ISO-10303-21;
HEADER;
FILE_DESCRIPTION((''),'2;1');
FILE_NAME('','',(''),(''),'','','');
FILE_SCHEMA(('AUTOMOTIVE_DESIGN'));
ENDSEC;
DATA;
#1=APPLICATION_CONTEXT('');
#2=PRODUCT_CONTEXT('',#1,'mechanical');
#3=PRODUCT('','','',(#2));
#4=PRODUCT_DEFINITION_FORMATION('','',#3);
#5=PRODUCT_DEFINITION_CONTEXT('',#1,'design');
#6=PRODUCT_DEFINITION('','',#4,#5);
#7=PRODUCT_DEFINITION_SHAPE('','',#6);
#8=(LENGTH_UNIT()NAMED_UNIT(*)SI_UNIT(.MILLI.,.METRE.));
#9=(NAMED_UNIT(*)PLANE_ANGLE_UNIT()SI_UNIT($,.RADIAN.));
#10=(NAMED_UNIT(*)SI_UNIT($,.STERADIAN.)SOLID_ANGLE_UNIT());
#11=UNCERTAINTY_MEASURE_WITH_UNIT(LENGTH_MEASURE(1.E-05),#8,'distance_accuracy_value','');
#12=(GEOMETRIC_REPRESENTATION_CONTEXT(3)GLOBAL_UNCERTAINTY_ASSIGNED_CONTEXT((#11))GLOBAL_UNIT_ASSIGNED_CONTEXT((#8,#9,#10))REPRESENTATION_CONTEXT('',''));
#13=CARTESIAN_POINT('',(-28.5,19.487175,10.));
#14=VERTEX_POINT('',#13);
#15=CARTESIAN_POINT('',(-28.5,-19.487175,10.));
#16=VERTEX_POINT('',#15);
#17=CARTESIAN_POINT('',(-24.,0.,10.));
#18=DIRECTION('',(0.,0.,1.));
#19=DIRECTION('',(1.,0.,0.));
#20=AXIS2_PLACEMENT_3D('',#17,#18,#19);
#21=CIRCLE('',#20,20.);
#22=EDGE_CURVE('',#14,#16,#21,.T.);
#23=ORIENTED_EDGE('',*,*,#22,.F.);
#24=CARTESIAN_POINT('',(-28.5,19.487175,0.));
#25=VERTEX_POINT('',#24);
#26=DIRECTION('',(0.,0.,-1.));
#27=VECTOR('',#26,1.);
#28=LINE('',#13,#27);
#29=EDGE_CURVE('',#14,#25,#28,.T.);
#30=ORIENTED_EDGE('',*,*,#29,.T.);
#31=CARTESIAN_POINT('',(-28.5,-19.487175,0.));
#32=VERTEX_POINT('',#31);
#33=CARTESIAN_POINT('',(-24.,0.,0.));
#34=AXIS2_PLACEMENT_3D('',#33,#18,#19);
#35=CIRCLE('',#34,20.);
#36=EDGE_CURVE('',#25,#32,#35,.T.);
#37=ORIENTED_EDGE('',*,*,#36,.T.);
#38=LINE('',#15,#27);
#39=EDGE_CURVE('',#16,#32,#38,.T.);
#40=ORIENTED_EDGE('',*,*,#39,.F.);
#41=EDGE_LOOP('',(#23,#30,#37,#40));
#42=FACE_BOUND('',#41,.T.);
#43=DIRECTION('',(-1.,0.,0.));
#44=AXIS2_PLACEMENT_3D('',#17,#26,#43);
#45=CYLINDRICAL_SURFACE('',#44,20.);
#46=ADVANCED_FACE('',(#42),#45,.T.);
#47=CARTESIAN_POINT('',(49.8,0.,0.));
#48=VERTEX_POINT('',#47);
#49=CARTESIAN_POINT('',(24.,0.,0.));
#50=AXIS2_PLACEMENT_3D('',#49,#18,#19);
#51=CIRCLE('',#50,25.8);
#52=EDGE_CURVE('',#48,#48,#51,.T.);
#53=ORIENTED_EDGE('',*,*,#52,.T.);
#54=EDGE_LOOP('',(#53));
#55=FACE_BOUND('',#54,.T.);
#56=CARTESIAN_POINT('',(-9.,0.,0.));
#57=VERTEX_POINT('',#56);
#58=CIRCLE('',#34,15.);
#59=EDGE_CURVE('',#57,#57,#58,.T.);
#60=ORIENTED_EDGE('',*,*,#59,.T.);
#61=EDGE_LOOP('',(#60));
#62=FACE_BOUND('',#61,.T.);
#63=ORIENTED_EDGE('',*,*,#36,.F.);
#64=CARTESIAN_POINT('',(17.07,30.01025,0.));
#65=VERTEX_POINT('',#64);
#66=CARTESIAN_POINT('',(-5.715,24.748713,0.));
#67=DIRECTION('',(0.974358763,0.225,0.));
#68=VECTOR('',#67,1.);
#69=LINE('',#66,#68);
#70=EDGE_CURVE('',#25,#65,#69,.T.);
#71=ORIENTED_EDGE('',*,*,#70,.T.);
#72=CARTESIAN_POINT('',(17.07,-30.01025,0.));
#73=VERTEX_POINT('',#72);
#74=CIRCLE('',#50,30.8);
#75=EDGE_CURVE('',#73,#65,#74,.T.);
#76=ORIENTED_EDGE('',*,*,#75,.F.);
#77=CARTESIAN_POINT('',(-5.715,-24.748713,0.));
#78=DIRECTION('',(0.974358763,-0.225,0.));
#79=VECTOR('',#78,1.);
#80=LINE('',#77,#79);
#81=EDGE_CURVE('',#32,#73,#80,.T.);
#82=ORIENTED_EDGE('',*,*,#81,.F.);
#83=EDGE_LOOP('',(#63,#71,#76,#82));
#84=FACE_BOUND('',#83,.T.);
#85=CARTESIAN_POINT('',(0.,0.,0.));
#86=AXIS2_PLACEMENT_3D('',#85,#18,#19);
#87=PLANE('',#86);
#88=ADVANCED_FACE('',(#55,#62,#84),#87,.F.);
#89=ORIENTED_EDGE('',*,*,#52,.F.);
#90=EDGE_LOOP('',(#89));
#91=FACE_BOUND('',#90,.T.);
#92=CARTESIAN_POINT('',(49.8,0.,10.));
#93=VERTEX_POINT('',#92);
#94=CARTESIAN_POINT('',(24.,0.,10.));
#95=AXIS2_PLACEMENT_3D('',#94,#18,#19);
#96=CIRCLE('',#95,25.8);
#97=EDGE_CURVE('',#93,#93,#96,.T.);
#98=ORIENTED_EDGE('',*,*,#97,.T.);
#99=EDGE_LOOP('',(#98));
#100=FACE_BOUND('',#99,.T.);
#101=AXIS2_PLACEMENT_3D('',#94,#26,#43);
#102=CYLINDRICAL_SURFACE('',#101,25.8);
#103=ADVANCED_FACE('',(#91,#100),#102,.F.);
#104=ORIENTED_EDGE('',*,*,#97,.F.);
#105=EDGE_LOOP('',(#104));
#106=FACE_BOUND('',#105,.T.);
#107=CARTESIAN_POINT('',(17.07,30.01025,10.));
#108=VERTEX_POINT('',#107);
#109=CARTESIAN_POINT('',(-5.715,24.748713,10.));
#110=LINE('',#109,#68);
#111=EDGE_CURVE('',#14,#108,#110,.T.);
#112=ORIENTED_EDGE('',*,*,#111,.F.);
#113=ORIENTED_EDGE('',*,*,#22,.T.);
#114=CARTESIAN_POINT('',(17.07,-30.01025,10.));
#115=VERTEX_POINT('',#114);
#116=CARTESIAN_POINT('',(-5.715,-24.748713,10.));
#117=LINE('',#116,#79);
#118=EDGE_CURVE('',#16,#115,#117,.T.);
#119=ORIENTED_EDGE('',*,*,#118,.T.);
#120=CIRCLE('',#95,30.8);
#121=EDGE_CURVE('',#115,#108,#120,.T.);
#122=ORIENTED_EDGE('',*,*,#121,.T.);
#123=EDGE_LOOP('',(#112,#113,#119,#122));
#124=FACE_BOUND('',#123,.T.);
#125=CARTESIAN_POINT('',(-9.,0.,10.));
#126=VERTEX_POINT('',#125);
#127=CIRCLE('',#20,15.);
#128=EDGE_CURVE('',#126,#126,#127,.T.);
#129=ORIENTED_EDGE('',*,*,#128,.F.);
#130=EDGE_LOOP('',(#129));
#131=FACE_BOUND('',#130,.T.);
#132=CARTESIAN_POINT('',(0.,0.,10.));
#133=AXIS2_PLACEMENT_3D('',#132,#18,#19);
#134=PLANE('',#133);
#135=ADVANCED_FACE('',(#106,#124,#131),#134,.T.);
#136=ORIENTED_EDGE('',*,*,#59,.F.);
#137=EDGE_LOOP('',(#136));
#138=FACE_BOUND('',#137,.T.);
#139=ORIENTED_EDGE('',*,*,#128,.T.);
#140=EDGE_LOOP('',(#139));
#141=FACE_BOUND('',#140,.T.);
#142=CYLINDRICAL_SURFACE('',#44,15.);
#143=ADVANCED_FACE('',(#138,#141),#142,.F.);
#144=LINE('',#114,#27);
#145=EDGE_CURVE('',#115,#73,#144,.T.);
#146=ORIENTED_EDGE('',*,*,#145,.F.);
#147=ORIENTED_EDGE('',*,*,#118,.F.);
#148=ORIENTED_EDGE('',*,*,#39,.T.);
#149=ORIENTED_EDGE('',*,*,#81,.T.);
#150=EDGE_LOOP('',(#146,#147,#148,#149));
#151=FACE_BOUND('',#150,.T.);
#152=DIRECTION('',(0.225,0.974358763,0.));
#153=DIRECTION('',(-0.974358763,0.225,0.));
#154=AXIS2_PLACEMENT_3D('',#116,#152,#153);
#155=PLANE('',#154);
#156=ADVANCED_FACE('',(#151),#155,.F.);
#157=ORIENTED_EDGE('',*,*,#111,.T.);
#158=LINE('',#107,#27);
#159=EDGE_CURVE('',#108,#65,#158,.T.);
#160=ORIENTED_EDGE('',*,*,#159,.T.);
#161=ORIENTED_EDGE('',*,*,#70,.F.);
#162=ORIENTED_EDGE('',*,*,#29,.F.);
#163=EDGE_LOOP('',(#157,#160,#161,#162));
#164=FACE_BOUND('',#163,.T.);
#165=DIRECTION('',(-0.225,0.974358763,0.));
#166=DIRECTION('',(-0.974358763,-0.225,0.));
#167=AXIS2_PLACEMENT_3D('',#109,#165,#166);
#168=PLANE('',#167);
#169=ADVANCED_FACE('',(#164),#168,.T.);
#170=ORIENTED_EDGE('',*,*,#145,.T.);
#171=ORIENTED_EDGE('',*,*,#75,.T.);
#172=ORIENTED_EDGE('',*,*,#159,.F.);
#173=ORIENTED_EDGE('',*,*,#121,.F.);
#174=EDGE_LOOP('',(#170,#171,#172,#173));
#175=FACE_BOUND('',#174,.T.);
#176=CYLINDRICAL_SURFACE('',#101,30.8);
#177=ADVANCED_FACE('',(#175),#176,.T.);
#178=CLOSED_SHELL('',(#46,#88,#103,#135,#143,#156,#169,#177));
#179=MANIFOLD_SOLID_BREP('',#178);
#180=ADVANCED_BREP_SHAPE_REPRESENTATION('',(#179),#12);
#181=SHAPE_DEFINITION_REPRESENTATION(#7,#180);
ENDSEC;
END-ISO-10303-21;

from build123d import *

# Parameters (mm, degrees)
ESBO_O2_R                = 15
ESBO_O2_R_2              = 25.8
RESSALTO_EXTRUS_O1_DEPTH = 10


with BuildPart() as part:
    # Esboço2 → Ressalto-extrusão1 (new body)
    with BuildSketch(Plane.XY):
        with BuildLine():
            Line((17.07, 30.010249916), (-28.5, 19.48717527))
            ThreePointArc((-28.5, 19.48717527), (-44, 0), (-28.5, -19.48717527))
            Line((-28.5, -19.48717527), (17.07, -30.010249916))
            ThreePointArc((17.07, -30.010249916), (54.8, 0), (17.07, 30.010249916))
        make_face()
        with Locations((-24, 0)):
            Circle(ESBO_O2_R, mode=Mode.SUBTRACT)
        with Locations((24, 0)):
            Circle(ESBO_O2_R_2, mode=Mode.SUBTRACT)
    extrude(amount=RESSALTO_EXTRUS_O1_DEPTH)


solid = part.part
